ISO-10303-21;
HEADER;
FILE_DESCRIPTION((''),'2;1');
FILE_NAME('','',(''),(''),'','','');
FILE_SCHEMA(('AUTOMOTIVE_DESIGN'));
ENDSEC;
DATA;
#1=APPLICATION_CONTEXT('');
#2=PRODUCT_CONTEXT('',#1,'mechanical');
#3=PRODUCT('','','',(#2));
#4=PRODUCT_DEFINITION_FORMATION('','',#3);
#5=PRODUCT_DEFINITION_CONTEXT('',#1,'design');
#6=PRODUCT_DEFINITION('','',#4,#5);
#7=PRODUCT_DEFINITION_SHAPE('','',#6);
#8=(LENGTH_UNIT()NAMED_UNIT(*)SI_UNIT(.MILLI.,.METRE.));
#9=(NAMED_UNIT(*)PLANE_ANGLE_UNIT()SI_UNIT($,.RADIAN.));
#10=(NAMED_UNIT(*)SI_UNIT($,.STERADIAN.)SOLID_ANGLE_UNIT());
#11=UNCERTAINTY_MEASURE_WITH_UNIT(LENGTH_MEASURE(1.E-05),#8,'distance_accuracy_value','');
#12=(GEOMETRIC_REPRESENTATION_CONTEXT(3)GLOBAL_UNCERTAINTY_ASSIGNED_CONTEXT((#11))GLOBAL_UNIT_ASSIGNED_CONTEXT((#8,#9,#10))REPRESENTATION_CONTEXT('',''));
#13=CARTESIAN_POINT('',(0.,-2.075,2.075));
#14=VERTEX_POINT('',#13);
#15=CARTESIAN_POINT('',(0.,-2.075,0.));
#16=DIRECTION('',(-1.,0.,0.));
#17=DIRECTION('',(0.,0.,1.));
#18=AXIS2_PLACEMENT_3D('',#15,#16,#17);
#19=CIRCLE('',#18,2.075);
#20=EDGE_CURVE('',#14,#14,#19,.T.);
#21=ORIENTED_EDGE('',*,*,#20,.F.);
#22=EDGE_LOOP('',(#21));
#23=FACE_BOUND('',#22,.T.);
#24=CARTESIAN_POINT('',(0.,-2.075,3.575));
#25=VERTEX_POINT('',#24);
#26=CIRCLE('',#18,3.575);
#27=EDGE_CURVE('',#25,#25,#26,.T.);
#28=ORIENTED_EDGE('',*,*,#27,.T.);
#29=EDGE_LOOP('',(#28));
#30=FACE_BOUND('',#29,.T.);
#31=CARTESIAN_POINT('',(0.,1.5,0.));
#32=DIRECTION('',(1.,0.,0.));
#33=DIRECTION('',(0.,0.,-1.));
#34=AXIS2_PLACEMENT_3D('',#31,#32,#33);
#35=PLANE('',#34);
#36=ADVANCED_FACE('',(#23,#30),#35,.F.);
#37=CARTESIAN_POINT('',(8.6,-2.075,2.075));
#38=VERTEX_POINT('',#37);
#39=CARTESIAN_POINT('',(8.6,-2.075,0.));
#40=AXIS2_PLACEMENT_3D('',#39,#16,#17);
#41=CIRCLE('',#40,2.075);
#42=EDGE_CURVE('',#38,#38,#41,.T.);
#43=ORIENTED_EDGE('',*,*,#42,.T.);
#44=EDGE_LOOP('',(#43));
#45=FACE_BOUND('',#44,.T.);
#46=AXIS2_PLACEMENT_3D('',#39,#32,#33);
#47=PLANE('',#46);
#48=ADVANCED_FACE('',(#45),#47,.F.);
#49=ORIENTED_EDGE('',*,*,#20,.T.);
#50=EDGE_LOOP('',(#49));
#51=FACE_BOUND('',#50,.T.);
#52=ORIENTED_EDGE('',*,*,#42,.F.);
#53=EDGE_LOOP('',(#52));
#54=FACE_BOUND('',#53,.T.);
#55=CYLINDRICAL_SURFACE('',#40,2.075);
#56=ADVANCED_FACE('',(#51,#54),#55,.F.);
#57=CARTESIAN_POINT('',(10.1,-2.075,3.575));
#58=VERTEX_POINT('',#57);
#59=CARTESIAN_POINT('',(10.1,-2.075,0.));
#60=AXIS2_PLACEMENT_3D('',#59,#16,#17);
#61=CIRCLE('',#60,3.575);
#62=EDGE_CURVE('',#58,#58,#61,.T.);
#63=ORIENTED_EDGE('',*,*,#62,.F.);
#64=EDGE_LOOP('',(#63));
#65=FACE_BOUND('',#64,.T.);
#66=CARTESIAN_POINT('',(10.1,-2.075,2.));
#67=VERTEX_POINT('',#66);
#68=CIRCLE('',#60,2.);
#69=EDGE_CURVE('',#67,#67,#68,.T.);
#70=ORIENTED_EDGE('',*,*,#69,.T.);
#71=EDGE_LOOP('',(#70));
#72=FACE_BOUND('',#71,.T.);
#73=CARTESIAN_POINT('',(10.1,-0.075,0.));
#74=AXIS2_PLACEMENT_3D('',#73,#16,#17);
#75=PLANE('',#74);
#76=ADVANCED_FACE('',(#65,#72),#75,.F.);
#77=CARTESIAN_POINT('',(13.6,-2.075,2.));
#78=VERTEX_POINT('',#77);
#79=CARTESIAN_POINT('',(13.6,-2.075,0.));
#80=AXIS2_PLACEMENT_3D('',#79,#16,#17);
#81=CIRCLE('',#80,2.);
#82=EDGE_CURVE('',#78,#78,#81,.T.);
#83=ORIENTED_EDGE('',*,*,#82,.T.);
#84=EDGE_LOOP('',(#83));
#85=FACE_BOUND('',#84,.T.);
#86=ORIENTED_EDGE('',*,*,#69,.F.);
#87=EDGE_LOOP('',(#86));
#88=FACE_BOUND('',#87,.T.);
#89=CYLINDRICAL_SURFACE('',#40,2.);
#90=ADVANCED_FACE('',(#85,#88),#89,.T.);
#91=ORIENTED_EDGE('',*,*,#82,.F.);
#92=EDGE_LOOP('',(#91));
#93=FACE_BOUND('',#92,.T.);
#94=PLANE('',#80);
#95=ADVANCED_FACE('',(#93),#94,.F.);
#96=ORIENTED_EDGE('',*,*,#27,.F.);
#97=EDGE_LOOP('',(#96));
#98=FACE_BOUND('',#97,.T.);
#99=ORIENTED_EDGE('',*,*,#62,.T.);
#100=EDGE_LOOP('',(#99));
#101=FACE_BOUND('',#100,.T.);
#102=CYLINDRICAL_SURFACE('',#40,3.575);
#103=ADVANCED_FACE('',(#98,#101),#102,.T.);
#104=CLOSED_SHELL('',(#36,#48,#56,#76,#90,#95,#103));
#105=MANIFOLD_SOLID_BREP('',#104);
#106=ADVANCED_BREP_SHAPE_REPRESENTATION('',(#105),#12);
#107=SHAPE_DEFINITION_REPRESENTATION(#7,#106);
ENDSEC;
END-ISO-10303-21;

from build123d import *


with BuildPart() as part:
    # Sketch1 → Revolve1 (revolve)
    with BuildSketch(Plane.XY, mode=Mode.PRIVATE) as revolve1_sk:
        Polygon((0, 1.5), (0, 0), (8.6, 0), (8.6, -2.075), (13.6, -2.075), (13.6, -0.075), (10.1, -0.075), (10.1, 1.5), align=None)
    revolve(revolve1_sk.sketch.rotate(Axis((8.6, -2.075, 0), (1, 0, 0)), 90), axis=Axis((8.6, -2.075, 0), (1, 0, 0)))


solid = part.part
